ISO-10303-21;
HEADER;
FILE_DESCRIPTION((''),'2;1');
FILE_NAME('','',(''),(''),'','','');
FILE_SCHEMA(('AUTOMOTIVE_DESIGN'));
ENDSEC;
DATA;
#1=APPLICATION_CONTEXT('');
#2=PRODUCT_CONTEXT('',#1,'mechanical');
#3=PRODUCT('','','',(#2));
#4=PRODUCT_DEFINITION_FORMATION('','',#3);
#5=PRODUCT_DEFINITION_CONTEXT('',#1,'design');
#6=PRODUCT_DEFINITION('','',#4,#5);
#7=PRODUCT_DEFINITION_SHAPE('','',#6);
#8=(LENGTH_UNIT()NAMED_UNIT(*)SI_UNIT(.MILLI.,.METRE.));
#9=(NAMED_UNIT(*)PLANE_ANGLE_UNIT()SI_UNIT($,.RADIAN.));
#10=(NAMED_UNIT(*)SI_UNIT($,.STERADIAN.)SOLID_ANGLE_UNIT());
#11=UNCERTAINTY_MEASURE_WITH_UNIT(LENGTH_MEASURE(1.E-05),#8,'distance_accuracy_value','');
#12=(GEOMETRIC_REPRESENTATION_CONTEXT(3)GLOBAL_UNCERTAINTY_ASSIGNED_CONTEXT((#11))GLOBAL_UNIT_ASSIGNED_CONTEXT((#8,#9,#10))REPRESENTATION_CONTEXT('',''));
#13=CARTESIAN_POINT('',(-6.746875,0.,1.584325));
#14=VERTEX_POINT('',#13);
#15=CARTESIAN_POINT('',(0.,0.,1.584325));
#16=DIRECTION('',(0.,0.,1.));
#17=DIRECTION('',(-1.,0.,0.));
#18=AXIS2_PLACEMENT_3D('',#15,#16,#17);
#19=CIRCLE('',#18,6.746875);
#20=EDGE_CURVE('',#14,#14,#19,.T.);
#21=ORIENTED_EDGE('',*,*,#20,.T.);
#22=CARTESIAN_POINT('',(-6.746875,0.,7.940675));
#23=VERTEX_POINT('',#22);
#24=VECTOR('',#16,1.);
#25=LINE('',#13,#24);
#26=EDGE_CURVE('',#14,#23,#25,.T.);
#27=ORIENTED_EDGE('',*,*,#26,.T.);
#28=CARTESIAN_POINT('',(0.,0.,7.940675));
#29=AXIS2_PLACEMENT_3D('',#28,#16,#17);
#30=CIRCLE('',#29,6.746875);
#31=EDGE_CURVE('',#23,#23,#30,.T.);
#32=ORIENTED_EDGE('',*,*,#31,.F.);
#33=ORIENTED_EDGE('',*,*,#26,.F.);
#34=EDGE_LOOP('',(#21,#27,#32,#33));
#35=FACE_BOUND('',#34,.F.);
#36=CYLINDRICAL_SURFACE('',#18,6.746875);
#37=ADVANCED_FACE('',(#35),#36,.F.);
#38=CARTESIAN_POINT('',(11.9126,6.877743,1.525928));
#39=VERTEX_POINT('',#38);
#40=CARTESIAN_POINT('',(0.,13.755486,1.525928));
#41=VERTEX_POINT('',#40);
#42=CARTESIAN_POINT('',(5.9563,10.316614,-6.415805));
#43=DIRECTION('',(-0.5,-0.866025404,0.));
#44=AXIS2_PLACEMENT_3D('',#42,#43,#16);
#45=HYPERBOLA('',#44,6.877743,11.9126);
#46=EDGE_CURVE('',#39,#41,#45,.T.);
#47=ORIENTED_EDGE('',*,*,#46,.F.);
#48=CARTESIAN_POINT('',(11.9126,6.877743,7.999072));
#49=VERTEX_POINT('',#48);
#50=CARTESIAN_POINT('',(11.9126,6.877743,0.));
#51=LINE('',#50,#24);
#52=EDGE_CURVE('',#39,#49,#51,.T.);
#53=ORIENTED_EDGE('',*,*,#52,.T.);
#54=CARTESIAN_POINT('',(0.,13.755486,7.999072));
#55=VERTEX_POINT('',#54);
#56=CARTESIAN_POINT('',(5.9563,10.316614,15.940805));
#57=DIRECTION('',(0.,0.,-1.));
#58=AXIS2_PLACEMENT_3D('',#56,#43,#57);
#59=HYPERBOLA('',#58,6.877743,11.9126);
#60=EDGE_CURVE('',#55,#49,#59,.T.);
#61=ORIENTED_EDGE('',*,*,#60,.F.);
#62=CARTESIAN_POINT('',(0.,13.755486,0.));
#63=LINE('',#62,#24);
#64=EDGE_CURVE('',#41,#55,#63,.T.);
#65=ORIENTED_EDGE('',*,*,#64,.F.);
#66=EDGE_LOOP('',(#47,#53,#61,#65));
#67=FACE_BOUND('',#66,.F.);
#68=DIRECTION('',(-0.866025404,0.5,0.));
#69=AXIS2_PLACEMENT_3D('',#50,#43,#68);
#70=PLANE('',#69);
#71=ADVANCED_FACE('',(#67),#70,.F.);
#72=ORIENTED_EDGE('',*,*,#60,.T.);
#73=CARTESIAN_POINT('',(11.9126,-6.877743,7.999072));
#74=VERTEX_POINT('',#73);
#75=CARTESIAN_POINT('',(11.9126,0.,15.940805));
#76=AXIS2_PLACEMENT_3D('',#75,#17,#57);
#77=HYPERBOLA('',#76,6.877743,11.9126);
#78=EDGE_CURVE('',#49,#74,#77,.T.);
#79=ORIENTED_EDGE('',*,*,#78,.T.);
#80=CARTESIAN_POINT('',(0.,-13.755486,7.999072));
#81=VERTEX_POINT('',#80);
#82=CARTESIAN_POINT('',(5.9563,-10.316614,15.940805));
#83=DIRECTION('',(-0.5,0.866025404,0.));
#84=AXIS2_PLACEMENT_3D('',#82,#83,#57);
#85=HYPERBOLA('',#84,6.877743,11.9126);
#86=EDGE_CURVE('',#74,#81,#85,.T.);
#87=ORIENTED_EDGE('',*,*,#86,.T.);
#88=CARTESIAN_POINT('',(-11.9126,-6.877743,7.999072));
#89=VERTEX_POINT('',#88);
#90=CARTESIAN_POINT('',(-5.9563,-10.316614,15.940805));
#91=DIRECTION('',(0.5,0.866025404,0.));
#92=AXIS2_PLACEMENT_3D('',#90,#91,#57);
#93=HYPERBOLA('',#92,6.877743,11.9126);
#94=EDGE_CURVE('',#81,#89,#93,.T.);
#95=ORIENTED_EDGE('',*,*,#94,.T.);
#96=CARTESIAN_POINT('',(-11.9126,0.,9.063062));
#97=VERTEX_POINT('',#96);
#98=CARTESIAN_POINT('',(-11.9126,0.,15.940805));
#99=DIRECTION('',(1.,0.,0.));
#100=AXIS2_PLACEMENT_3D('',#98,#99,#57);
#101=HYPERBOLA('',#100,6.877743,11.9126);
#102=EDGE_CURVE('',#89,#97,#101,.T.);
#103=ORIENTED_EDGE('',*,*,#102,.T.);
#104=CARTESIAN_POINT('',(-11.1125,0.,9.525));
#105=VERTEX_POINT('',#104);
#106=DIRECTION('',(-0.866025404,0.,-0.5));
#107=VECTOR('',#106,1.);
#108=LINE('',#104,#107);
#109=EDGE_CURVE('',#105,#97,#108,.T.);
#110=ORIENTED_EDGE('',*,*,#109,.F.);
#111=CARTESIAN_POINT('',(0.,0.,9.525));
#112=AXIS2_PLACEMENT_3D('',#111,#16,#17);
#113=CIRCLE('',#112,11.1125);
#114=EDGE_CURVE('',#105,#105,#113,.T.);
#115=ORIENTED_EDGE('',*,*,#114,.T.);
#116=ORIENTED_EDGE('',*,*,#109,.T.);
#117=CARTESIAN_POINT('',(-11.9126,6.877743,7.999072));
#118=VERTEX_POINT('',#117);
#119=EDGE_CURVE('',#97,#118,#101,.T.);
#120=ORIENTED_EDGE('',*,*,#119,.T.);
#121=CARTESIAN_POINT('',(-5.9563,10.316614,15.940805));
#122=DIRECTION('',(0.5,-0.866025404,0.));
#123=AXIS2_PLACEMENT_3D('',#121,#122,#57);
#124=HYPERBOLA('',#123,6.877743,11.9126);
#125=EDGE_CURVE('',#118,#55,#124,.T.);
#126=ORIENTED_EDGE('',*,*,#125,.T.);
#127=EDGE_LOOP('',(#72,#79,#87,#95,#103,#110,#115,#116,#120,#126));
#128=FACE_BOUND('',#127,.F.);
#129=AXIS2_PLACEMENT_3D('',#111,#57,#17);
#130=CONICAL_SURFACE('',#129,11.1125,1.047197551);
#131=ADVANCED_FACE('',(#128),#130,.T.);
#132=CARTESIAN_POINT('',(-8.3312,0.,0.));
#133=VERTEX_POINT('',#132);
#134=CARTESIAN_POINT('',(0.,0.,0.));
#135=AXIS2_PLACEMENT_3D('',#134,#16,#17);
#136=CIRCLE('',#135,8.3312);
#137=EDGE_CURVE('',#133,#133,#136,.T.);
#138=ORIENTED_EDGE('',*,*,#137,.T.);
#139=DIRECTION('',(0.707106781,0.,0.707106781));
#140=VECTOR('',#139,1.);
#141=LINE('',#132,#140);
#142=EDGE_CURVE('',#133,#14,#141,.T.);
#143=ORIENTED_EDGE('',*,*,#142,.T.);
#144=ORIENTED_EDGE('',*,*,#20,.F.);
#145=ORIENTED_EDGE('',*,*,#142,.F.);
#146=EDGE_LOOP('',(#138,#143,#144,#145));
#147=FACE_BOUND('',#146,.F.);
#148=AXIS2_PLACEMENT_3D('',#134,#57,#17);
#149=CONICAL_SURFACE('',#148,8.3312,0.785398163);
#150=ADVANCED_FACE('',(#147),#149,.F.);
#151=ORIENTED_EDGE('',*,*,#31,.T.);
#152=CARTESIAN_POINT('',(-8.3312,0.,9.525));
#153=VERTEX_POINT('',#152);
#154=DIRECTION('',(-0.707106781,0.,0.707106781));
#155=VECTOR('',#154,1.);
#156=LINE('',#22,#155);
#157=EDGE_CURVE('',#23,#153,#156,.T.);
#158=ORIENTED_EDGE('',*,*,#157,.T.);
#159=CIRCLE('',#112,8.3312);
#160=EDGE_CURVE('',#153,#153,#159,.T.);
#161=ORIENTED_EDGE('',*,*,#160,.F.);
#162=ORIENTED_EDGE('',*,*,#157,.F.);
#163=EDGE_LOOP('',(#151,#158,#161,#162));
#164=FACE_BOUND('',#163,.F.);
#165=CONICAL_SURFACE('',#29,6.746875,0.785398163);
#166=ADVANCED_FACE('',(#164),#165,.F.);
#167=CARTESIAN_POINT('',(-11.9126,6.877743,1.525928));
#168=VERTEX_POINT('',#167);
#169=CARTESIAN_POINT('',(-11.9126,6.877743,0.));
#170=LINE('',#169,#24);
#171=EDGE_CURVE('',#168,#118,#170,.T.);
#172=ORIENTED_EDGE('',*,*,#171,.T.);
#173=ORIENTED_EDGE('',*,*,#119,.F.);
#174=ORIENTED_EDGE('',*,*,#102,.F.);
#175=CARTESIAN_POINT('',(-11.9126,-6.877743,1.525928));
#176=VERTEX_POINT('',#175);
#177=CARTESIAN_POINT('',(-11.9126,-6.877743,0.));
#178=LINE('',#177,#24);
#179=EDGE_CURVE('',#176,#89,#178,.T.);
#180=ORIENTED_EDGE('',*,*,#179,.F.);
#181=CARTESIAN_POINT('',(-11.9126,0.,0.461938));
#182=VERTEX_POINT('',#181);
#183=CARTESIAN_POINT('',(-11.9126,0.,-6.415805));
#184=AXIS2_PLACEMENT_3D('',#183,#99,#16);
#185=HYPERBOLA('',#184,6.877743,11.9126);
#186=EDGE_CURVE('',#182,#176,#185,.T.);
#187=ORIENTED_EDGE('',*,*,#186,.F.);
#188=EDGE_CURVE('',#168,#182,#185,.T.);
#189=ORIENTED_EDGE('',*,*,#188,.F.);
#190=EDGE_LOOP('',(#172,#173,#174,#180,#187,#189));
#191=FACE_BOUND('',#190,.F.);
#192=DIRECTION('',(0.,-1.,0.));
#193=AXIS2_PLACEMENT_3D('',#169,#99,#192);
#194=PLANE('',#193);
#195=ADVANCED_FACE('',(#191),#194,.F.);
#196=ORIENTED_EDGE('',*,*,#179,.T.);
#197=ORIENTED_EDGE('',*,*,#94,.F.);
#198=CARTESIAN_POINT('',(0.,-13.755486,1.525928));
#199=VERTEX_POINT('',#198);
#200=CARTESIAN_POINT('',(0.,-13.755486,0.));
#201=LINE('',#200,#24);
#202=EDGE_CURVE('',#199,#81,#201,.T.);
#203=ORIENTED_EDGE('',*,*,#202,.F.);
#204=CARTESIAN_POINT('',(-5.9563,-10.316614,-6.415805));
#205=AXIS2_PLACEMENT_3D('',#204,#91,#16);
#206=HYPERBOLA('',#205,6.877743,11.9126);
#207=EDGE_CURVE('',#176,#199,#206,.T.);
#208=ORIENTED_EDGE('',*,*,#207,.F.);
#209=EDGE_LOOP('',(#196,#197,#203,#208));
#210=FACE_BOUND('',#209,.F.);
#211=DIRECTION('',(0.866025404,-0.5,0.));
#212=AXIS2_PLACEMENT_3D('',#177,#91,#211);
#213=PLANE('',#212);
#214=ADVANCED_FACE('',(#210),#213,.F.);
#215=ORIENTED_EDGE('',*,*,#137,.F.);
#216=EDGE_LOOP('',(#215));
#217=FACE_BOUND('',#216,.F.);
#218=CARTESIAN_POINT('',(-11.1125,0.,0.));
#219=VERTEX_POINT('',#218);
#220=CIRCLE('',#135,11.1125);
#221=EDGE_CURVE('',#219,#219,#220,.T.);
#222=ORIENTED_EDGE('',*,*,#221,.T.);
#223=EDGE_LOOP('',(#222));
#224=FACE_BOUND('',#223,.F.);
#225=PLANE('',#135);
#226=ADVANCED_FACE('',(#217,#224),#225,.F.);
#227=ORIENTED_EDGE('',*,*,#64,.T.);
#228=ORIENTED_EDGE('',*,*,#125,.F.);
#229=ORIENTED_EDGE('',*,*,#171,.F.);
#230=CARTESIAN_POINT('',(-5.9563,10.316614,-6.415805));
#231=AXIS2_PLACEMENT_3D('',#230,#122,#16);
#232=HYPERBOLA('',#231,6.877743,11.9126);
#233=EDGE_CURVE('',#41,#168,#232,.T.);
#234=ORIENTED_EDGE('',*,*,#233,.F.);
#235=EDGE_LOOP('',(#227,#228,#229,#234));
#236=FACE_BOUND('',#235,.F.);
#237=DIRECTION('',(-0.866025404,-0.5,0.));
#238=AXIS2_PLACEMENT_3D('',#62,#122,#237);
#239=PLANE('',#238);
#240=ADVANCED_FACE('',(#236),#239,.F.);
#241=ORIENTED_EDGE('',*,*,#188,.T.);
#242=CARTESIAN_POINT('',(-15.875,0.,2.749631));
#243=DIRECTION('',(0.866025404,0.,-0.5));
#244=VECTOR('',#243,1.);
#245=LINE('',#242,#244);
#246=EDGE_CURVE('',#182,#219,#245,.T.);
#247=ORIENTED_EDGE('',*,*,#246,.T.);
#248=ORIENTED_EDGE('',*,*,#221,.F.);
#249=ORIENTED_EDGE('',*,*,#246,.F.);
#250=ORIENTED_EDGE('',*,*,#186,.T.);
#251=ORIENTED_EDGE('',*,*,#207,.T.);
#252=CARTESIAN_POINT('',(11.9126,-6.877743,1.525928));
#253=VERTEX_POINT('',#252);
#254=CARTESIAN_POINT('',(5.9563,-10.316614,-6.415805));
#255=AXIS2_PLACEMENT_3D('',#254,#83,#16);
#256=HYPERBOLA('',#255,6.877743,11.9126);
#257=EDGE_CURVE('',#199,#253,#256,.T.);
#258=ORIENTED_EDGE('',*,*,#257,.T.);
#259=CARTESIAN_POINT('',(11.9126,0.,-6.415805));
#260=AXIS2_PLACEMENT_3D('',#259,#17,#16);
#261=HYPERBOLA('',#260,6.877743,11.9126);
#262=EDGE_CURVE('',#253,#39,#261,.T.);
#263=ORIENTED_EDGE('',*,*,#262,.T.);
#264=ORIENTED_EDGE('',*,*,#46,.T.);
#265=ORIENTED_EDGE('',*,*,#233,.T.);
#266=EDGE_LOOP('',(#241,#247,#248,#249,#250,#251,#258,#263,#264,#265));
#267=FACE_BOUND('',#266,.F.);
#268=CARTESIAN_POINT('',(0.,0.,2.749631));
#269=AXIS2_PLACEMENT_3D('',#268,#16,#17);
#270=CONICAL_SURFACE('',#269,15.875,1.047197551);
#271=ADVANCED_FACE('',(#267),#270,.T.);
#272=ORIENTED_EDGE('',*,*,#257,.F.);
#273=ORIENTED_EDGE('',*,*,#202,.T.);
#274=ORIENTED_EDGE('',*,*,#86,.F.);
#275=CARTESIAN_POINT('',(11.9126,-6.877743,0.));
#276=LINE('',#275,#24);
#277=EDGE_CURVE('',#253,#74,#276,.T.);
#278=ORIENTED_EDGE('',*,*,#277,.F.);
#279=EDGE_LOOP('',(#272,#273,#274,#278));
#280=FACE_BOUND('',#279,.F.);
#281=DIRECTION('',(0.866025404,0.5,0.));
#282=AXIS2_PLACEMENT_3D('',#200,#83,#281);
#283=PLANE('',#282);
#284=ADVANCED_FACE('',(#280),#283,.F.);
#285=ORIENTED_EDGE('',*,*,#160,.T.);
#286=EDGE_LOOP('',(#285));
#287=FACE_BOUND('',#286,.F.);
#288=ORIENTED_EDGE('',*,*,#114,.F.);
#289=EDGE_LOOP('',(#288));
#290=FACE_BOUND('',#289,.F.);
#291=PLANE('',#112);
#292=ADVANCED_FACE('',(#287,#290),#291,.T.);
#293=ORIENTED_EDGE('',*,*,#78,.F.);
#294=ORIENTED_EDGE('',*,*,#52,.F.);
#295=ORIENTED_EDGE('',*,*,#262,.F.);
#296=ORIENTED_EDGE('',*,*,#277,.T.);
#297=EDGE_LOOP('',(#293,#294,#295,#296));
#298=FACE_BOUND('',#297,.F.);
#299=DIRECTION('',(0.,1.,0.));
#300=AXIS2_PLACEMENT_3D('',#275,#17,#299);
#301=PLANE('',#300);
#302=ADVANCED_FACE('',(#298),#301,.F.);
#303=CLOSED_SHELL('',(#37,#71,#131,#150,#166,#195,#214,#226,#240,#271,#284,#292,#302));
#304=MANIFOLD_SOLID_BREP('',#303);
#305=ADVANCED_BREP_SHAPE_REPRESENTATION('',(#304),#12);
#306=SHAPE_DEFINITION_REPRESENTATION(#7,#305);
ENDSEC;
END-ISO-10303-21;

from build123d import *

# Parameters (mm, degrees)
SKETCH2_OUTSIDE_W  = 42.93
SKETCH2_OUTSIDE_H  = 42.93
CUT_EXTRUDE2_DEPTH = 25.4


with BuildPart() as part:
    # Sketch1 → Revolve1 (revolve)
    with BuildSketch(Plane(origin=(0, 0, 0), x_dir=(0, 0, -1), z_dir=(1, 0, 0)), mode=Mode.PRIVATE) as revolve1_sk:
        Polygon((-1.584325, 6.746875), (-7.940675, 6.746875), (-9.525, 8.3312), (-9.525, 11.1125), (-6.775369343, 15.875), (-2.749630657, 15.875), (0, 11.1125), (0, 8.3312), align=None)
    revolve(revolve1_sk.sketch.rotate(Axis((0, 0, -10.380814409), (0, 0, 1)), 90), axis=Axis((0, 0, -10.380814409), (0, 0, 1)))

    # Sketch2 outside → Cut-Extrude2 (cut)
    with BuildSketch(Plane.XY):
        Rectangle(SKETCH2_OUTSIDE_W, SKETCH2_OUTSIDE_H)
        Polygon((0, 13.755485633), (-11.9126, 6.877742817), (-11.9126, -6.877742817), (0, -13.755485633), (11.9126, -6.877742817), (11.9126, 6.877742817), align=None, mode=Mode.SUBTRACT)
    extrude(amount=CUT_EXTRUDE2_DEPTH, mode=Mode.SUBTRACT)


solid = part.part
